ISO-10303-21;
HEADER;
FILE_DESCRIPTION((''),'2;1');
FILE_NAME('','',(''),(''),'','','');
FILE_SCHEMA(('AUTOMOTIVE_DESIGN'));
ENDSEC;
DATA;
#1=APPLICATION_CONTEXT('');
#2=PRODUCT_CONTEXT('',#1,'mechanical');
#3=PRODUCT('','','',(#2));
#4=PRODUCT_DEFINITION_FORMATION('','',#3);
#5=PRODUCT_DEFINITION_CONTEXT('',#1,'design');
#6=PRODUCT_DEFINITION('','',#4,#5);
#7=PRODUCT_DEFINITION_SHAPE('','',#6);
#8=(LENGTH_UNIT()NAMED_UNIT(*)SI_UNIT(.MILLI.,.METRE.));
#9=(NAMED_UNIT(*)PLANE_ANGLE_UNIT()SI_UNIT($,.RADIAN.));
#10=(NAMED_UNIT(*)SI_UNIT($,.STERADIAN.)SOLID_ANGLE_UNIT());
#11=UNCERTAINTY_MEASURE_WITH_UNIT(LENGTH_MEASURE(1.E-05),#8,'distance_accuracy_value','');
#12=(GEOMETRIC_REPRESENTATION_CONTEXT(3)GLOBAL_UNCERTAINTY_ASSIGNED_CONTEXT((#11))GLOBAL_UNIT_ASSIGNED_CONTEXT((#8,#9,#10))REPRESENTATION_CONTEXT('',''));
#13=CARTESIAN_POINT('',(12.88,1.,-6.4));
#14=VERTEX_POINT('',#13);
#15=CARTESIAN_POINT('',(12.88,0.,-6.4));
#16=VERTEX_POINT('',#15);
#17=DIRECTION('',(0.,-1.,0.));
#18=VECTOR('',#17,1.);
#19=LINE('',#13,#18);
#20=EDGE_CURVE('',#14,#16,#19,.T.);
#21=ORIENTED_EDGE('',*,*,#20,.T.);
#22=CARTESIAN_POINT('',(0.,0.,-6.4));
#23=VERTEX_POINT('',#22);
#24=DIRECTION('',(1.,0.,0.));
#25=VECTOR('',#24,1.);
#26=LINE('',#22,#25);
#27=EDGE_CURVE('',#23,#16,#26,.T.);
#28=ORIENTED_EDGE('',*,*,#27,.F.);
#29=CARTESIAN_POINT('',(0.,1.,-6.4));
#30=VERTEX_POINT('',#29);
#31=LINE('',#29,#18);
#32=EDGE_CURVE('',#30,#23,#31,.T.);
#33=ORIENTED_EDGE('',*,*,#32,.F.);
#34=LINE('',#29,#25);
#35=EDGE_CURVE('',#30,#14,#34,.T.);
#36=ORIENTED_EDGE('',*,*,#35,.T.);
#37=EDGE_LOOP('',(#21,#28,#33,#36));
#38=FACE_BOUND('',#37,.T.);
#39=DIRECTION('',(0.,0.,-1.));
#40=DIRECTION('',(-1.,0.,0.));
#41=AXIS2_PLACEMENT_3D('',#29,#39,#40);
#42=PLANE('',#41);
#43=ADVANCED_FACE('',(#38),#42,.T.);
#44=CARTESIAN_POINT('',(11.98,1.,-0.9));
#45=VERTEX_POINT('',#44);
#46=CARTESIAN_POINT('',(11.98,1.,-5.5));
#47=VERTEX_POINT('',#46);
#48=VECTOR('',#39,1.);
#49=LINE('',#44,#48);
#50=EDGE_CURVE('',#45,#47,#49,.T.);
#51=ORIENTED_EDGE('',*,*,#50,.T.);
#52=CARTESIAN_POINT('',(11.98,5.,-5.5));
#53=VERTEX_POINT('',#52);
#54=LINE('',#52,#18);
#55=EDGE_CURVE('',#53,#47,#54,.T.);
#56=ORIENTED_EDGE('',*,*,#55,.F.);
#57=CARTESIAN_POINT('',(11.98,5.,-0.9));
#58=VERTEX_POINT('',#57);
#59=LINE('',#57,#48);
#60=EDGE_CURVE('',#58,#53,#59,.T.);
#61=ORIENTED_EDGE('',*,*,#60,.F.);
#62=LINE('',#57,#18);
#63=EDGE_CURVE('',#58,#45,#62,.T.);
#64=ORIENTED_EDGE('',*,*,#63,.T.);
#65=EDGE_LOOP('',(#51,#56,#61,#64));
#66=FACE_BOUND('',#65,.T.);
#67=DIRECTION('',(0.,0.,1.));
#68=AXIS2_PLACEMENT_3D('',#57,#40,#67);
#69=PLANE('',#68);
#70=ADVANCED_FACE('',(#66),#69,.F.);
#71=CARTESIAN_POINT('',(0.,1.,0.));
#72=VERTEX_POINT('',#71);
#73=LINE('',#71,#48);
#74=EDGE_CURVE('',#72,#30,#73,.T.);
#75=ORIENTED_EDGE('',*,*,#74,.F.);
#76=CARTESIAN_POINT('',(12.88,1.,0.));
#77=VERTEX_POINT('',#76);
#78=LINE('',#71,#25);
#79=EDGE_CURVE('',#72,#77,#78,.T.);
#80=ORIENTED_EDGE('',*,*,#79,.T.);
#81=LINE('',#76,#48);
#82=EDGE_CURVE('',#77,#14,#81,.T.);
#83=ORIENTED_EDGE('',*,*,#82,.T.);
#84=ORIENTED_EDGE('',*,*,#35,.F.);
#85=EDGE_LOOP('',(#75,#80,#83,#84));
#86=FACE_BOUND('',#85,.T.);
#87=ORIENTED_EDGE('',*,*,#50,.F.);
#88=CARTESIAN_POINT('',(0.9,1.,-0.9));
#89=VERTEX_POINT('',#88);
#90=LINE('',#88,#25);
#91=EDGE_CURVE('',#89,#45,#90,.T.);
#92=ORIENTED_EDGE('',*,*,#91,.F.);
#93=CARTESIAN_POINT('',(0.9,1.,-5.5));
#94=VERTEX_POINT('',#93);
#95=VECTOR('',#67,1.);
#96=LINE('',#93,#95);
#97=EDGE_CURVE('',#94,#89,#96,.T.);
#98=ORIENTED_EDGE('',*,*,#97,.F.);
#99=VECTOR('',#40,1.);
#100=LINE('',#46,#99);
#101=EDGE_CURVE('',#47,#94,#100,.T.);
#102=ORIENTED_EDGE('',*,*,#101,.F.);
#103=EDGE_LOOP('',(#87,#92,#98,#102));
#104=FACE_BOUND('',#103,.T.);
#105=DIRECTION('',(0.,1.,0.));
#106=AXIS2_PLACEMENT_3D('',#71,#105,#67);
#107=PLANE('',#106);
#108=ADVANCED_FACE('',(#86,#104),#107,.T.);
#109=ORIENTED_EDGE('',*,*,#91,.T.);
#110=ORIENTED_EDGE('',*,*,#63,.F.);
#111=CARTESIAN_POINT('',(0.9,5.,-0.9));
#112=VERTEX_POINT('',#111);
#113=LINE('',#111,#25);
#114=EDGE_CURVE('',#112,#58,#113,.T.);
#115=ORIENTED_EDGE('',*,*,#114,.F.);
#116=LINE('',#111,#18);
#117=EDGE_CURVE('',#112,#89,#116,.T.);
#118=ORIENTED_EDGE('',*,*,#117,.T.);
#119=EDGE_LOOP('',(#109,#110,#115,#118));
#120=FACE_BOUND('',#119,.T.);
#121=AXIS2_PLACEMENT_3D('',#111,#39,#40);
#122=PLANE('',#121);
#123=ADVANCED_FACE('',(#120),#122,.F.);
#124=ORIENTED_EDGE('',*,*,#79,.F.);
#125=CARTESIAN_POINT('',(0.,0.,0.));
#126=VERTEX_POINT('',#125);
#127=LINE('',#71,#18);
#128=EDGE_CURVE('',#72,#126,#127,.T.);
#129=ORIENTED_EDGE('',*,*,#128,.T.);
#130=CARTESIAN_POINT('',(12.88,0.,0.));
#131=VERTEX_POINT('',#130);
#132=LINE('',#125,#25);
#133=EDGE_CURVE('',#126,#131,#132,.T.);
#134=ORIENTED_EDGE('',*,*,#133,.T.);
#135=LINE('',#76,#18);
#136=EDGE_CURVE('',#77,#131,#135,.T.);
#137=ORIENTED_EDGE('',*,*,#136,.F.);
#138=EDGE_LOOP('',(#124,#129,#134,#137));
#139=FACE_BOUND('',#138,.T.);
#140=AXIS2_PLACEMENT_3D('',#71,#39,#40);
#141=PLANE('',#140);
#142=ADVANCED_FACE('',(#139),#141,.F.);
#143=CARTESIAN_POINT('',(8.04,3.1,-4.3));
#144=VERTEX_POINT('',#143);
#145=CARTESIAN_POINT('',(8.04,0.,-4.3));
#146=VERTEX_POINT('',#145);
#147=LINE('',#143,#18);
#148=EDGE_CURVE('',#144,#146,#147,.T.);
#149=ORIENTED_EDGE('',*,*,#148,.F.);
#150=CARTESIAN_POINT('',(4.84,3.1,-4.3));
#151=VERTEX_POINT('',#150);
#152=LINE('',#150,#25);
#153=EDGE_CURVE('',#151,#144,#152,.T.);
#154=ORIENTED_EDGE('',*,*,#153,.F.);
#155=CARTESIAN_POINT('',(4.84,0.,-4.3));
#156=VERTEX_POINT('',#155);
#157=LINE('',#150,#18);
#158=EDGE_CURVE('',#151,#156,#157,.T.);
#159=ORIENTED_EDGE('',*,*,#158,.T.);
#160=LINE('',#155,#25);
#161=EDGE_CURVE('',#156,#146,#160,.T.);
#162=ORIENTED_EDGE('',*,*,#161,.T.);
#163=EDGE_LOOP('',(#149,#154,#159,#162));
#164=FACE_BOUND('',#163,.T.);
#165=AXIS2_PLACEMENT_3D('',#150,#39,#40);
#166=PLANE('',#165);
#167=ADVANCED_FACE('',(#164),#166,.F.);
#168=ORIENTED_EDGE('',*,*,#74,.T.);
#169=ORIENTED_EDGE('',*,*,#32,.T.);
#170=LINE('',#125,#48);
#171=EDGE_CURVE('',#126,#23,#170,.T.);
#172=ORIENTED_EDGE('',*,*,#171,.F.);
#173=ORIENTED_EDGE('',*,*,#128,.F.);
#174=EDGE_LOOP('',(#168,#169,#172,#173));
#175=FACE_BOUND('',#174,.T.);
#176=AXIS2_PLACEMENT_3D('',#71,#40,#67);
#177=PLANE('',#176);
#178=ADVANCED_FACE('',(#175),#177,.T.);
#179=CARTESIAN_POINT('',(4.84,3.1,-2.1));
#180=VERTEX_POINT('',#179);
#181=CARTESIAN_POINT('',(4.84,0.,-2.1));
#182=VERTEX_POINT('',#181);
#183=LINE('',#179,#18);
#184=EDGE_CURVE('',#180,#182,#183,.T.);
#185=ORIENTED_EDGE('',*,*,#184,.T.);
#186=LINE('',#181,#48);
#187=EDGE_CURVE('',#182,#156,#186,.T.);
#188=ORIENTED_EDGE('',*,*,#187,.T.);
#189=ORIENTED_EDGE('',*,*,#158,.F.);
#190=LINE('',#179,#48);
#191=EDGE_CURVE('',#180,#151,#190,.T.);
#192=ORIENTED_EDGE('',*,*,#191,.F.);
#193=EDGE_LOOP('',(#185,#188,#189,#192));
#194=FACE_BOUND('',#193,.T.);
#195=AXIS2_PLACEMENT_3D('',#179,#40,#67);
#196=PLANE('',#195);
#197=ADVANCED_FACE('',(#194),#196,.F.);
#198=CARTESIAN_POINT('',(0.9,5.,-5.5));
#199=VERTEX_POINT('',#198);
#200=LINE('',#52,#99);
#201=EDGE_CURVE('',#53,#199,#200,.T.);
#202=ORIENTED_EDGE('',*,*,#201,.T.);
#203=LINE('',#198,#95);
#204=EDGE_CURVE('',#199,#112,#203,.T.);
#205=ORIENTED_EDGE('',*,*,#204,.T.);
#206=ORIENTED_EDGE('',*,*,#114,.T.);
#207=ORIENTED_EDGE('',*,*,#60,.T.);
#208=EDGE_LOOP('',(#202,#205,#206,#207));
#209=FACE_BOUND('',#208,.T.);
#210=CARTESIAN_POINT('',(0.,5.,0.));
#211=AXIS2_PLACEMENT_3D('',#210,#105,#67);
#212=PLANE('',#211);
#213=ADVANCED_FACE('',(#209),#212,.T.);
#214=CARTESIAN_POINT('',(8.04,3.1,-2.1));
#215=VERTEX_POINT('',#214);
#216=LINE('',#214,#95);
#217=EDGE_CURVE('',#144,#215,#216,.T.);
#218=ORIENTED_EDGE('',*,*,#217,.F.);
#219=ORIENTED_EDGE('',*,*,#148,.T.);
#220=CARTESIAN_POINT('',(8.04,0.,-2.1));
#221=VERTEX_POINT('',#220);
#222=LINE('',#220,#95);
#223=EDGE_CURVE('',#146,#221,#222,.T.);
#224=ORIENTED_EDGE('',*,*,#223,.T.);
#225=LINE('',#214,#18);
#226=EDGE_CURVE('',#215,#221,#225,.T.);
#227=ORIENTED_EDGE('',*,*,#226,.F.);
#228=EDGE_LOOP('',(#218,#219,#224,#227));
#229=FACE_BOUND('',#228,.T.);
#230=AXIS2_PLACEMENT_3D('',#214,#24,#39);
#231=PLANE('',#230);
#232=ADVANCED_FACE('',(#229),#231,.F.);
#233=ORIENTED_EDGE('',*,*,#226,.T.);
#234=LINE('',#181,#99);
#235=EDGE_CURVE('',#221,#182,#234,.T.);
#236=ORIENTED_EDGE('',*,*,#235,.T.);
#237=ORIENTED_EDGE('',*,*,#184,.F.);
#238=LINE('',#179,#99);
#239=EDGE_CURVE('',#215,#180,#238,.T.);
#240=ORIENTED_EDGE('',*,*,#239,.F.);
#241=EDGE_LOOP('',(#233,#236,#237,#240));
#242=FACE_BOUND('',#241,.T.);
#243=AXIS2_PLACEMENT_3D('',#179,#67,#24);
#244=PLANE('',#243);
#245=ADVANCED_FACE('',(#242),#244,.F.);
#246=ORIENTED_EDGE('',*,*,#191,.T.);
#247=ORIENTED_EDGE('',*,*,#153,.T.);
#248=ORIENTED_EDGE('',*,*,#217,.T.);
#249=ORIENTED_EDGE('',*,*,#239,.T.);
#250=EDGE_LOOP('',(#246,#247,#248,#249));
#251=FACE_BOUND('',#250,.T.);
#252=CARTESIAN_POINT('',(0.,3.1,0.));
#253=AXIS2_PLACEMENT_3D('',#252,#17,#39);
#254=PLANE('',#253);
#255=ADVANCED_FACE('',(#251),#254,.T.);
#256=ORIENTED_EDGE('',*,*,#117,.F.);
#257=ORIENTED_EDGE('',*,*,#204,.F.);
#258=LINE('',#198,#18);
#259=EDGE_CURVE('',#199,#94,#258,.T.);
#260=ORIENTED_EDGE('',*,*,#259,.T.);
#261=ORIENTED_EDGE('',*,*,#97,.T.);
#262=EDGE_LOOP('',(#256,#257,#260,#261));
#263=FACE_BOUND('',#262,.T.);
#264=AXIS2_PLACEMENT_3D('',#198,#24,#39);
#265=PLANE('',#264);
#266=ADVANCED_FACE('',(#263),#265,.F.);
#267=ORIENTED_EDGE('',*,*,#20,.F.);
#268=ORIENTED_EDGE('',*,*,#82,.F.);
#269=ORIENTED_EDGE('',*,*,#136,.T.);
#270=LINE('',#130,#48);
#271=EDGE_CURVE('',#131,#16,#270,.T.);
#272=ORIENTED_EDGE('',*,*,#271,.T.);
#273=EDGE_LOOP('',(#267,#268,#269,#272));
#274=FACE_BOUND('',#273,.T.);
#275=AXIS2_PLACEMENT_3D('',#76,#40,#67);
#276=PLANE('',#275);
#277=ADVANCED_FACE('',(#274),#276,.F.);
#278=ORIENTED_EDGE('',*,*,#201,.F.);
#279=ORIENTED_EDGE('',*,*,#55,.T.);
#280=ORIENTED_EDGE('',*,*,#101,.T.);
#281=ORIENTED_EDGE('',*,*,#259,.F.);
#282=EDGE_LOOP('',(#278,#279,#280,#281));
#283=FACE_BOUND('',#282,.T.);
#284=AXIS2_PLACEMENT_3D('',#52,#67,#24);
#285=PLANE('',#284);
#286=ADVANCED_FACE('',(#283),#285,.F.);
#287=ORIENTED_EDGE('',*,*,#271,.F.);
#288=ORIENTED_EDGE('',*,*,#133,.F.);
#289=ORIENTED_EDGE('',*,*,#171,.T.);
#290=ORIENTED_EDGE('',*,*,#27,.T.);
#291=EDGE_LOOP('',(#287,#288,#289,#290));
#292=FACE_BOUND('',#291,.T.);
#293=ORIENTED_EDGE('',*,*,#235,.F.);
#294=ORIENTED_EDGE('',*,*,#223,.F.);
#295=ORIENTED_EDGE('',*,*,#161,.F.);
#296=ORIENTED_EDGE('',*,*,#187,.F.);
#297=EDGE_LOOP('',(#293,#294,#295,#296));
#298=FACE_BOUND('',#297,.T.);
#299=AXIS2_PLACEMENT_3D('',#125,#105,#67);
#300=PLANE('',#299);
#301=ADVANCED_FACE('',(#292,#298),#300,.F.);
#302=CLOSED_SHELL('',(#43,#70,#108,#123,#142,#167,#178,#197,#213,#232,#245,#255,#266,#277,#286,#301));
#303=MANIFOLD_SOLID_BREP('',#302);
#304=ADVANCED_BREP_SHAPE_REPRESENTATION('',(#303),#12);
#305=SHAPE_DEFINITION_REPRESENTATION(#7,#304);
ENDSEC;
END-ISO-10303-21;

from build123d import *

# Parameters (mm, degrees)
SKETCH1_W           = 12.88
SKETCH1_H           = 6.4
BOSS_EXTRUDE1_DEPTH = 1
SKETCH3_W           = 11.08
SKETCH3_H           = 4.6
BOSS_EXTRUDE2_DEPTH = 4
SKETCH4_W           = 3.2
SKETCH4_H           = 2.2
CUT_EXTRUDE1_DEPTH  = 3.1


with BuildPart() as part:
    # Sketch1 → Boss-Extrude1 (new body)
    with BuildSketch(Plane(origin=(0, 0, 0), x_dir=(1, 0, 0), z_dir=(0, 1, 0))):
        with Locations((6.44, 3.2)):
            Rectangle(SKETCH1_W, SKETCH1_H)
    extrude(amount=BOSS_EXTRUDE1_DEPTH)

    # Sketch3 → Boss-Extrude2 (add)
    with BuildSketch(Plane(origin=(0, 1, 0), x_dir=(1, 0, 0), z_dir=(0, 1, 0))):
        with Locations((6.44, 3.2)):
            Rectangle(SKETCH3_W, SKETCH3_H)
    extrude(amount=BOSS_EXTRUDE2_DEPTH)

    # Sketch4 → Cut-Extrude1 (cut)
    with BuildSketch(Plane.XZ):
        with Locations((6.44, -3.2)):
            Rectangle(SKETCH4_W, SKETCH4_H)
    extrude(amount=-CUT_EXTRUDE1_DEPTH, mode=Mode.SUBTRACT)


solid = part.part
